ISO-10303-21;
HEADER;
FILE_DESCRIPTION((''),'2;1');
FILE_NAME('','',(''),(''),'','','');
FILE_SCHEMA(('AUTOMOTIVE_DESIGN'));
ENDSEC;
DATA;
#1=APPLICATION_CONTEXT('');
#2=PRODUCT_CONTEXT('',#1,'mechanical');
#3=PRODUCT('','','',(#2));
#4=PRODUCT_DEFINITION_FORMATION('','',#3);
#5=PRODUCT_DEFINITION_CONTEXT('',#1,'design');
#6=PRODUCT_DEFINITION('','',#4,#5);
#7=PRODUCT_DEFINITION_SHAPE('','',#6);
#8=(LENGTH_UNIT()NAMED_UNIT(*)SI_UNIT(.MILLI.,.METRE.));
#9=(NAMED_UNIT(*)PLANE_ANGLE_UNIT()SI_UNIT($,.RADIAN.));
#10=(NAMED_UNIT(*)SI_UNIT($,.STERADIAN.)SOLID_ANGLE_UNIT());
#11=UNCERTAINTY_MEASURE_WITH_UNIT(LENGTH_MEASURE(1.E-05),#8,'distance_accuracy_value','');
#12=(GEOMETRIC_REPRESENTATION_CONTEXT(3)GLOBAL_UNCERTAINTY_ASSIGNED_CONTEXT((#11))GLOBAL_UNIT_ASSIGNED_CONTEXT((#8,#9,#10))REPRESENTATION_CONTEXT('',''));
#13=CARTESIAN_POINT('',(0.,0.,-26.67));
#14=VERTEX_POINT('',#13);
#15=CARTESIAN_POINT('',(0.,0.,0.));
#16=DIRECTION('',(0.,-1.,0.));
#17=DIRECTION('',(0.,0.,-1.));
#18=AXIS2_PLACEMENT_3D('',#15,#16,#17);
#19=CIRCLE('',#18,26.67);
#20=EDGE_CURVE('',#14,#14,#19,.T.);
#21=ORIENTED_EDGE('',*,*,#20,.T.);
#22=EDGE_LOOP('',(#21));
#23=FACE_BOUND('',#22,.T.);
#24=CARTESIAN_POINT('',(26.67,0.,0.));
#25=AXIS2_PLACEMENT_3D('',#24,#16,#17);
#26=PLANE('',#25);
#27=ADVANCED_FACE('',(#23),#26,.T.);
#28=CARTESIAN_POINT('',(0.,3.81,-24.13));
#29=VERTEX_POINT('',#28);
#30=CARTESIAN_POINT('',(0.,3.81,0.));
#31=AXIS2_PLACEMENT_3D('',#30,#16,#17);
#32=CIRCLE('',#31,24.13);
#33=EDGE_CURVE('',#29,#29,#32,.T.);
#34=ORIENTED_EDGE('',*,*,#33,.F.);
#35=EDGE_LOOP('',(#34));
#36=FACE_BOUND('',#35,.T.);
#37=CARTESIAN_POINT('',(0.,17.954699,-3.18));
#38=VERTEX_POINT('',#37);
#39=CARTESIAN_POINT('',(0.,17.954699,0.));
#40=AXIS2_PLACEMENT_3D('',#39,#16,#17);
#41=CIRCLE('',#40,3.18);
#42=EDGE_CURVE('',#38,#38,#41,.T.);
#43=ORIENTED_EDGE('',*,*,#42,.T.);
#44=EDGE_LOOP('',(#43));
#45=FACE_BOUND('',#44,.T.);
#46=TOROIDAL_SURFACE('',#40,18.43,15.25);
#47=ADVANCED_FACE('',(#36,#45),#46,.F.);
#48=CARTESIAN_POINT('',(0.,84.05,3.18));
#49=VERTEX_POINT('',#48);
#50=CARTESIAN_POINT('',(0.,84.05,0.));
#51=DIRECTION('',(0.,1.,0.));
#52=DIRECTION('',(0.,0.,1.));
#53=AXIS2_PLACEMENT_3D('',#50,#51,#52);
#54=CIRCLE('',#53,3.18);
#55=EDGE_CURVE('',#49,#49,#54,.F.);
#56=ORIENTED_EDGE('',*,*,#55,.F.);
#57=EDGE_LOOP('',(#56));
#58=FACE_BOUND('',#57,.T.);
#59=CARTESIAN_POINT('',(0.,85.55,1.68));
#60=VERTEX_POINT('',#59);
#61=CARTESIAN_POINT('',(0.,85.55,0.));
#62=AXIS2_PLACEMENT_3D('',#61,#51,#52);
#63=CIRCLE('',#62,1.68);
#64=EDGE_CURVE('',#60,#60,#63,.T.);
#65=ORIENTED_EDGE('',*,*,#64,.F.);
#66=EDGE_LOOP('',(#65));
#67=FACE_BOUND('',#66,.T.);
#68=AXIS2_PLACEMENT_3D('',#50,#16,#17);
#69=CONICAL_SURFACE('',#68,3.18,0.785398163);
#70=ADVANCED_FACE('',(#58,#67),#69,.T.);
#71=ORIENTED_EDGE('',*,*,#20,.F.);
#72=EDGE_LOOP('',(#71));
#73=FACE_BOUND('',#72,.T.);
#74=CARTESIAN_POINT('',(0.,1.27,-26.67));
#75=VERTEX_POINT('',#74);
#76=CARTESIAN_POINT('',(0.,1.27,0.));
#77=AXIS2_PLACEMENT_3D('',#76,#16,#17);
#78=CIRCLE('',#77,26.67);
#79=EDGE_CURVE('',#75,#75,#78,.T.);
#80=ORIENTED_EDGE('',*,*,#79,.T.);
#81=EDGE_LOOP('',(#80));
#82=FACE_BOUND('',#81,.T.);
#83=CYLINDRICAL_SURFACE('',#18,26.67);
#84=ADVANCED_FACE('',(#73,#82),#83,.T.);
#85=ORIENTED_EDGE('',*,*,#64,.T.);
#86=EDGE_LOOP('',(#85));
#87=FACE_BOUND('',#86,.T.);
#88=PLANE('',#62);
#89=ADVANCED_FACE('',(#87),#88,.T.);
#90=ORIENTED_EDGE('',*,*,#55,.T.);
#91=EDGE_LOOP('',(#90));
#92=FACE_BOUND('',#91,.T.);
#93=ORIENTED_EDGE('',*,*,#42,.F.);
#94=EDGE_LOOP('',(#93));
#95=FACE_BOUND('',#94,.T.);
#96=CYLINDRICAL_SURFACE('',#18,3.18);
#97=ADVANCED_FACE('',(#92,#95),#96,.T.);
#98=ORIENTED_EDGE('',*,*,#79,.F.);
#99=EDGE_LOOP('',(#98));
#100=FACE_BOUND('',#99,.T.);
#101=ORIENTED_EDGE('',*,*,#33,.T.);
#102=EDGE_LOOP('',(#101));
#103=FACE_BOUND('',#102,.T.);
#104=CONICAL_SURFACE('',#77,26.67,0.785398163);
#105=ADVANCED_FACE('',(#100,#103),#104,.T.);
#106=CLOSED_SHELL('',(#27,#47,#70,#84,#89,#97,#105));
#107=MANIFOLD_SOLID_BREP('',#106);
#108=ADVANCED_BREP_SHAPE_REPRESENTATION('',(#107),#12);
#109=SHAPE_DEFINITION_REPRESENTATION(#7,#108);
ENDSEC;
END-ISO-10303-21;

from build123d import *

# Parameters (mm, degrees)
CHAMFER1_SIZE = 1.5


with BuildPart() as part:
    # Sketch1 → Revolve1 (revolve)
    with BuildSketch(Plane.XY, mode=Mode.PRIVATE) as revolve1_sk:
        with BuildLine():
            Line((0, 0), (0, 85.55))
            Line((0, 85.55), (3.18, 85.55))
            Line((3.18, 85.55), (3.18, 17.954698654))
            ThreePointArc((3.18, 17.954698654), (9.896609701, 5.315721242), (24.13, 3.81))
            Line((24.13, 3.81), (26.67, 1.27))
            Line((26.67, 1.27), (26.67, 0))
            Line((26.67, 0), (0, 0))
        make_face()
    revolve(revolve1_sk.sketch.rotate(Axis((0, 0, 0), (0, 1, 0)), 90), axis=Axis((0, 0, 0), (0, 1, 0)))

    # Chamfer1
    chamfer1_edges = [part.edges().sort_by_distance(p)[0] for p in [
        (0, 85.55, 3.18),
    ]]
    chamfer(chamfer1_edges, length=CHAMFER1_SIZE)


solid = part.part
